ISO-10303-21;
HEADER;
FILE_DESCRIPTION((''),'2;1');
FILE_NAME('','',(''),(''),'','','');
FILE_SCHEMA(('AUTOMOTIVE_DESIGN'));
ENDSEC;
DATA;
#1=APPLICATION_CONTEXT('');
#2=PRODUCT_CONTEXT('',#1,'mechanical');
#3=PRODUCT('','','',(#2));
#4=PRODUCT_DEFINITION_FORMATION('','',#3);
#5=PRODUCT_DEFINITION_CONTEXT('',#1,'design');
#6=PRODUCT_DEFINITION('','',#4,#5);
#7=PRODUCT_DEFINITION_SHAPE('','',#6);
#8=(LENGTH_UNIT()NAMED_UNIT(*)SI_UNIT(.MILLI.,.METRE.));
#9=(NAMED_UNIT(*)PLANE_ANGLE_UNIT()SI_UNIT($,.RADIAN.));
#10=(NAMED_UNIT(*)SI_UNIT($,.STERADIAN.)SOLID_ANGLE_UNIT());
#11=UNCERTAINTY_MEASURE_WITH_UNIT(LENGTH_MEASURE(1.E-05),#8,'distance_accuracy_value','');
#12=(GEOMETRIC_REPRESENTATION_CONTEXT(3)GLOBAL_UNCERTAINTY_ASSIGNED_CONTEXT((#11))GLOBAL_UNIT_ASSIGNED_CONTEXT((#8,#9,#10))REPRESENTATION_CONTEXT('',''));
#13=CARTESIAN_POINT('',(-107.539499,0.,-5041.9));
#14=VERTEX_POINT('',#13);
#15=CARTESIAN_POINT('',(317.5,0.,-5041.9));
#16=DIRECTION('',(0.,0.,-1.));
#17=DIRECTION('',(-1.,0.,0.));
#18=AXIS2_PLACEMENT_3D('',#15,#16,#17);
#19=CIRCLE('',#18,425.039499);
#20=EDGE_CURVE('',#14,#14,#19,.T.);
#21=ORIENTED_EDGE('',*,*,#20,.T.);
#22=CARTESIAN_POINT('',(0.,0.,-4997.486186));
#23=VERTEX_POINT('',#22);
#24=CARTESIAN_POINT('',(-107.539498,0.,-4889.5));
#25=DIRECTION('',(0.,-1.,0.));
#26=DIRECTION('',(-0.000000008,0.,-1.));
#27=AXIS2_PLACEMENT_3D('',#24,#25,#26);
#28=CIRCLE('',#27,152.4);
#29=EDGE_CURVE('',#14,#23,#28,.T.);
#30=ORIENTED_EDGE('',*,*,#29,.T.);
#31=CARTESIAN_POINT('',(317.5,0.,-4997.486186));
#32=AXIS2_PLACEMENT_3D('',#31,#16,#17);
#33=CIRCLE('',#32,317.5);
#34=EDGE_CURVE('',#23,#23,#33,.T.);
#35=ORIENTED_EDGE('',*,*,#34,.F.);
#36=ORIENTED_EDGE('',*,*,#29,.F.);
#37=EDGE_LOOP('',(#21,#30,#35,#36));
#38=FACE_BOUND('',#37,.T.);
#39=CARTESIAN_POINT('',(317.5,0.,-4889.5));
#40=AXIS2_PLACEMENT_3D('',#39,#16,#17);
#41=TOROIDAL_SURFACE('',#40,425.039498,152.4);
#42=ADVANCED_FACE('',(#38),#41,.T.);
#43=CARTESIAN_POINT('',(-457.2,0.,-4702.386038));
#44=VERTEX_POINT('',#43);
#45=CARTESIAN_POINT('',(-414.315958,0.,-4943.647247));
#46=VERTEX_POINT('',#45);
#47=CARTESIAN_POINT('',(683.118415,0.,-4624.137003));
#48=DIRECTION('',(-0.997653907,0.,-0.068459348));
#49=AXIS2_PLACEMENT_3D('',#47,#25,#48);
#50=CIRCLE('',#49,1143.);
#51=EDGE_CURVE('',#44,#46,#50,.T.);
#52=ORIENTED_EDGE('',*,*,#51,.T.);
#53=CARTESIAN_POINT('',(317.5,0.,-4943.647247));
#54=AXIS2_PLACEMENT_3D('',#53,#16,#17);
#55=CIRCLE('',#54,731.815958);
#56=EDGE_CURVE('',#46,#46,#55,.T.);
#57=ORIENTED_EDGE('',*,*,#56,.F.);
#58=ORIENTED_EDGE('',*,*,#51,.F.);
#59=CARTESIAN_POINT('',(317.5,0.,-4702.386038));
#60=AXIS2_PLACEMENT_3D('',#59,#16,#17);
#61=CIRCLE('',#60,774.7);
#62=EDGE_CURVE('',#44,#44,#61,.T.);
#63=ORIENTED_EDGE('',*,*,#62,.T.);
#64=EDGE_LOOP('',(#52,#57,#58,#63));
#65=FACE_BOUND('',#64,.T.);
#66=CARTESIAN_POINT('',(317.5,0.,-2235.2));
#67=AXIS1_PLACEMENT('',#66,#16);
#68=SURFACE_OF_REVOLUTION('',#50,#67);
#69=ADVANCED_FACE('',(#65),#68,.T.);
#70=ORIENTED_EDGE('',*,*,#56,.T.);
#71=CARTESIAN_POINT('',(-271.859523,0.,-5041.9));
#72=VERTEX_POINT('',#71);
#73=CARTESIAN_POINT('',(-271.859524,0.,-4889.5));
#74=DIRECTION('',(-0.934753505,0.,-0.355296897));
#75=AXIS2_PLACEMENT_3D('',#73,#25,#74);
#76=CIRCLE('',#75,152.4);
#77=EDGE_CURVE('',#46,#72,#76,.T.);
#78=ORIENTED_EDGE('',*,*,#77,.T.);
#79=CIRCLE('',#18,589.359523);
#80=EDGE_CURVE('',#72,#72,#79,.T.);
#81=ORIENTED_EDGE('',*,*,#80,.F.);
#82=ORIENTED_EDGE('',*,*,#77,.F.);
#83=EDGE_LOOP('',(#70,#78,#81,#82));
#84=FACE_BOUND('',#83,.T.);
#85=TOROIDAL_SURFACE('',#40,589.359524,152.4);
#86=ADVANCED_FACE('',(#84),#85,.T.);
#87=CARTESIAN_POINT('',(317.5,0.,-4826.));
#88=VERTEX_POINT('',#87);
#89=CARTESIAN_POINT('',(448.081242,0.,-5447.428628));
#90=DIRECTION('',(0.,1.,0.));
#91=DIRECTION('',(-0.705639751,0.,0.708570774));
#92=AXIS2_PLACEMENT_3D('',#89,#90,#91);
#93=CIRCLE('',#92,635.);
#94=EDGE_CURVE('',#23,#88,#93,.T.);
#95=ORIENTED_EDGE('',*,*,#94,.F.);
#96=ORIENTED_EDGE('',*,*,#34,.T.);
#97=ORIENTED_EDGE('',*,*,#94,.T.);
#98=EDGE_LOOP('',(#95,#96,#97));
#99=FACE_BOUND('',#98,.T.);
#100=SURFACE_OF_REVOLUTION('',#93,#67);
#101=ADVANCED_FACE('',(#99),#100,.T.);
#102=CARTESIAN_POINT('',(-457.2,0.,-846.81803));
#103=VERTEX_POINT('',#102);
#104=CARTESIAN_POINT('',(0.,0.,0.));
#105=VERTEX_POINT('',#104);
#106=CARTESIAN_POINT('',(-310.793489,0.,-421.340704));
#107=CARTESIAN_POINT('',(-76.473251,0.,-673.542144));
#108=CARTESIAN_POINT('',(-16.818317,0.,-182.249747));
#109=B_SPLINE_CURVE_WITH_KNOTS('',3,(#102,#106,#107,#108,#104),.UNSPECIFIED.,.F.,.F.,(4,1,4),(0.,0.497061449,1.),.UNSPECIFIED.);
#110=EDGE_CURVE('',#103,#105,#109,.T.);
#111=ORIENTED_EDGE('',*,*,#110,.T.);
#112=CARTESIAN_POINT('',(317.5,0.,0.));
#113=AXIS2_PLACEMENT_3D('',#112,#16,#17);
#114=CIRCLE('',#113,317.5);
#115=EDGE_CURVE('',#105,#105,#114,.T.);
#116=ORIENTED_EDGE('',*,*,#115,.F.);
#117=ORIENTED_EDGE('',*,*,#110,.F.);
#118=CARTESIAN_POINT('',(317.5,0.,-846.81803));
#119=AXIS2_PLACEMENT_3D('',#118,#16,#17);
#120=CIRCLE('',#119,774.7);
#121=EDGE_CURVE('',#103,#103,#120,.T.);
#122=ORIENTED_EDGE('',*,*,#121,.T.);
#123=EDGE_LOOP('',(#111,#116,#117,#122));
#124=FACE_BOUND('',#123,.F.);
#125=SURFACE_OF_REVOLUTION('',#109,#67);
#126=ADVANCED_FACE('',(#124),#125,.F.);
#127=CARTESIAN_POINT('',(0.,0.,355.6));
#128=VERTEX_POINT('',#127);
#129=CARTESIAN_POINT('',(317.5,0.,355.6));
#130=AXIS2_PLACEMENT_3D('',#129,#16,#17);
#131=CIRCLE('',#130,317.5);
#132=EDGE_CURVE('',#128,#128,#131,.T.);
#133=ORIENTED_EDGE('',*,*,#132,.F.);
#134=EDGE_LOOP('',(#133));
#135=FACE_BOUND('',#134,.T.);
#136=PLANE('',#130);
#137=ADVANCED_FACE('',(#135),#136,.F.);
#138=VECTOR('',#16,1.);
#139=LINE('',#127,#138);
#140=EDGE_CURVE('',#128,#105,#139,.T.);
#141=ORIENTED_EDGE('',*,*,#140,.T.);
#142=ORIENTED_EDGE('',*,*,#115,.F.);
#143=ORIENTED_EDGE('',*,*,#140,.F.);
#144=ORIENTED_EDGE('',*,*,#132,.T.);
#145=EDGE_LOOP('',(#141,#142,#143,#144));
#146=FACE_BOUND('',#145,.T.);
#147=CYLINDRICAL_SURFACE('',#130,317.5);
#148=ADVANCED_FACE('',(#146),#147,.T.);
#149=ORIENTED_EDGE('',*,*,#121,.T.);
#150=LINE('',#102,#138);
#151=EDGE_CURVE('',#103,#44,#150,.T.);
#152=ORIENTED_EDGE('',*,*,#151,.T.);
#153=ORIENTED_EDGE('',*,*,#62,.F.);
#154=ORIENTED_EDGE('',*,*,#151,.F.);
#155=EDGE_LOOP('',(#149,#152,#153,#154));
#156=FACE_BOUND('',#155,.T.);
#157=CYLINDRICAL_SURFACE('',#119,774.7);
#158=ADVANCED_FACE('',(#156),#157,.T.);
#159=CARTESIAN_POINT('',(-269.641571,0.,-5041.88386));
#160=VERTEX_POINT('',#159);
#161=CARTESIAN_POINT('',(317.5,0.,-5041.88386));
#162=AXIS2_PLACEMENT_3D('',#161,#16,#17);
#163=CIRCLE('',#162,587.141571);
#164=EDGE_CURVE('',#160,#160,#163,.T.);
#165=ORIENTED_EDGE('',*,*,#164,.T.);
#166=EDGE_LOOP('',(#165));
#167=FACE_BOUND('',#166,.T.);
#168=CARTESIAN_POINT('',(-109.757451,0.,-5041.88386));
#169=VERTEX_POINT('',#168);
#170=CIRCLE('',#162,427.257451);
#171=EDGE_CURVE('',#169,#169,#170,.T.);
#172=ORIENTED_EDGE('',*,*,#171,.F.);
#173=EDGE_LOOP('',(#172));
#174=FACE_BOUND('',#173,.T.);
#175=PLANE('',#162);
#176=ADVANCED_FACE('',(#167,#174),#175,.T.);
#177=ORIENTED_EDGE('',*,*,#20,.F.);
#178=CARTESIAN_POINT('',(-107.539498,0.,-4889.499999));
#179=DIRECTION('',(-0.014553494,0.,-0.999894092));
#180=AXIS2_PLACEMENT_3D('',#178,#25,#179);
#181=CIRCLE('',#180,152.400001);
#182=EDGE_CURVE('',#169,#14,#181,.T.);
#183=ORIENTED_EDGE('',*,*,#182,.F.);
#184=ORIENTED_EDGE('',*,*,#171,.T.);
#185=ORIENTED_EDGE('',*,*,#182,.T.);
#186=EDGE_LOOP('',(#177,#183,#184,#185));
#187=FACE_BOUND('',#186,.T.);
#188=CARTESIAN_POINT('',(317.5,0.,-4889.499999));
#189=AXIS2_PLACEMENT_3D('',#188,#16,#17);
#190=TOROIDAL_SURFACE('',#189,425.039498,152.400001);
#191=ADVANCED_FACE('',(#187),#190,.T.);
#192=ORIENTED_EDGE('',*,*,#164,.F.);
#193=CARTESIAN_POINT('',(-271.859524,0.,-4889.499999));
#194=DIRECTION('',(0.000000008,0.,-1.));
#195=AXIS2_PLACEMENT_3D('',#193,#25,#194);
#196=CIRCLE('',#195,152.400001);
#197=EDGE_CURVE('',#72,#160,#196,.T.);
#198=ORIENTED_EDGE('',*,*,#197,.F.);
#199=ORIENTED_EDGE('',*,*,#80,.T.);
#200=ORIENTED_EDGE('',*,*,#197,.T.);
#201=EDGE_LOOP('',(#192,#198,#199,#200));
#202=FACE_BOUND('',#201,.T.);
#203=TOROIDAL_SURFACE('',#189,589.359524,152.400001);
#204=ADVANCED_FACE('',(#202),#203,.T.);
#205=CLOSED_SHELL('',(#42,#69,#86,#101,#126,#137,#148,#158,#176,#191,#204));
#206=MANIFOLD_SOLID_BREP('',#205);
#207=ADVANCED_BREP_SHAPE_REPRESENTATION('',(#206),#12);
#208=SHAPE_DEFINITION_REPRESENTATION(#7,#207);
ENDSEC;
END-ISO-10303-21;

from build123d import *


with BuildPart() as f1:
    # F0 (on Front) → F1 (revolve)
    with BuildSketch(Plane.XZ):
        with BuildLine():
            Line((0, 355.6), (0, 0))
            add(Edge.make_bspline(
                [(-457.2, -846.8180298805), (-310.7934892178, -421.3407039642), (-76.4732514489, -673.5421437826), (-16.8183166454, -182.2497469969), (0, 0)],
                knots=[0, 0, 0, 0, 0.4970614488, 1, 1, 1, 1], degree=3))
            Line((-457.2, -846.8180298805), (-457.2, -4702.3860380284))
            ThreePointArc((-457.2, -4702.3860380284), (-442.2420284929, -4824.1691786226), (-414.3159579917, -4943.6472470326))
            ThreePointArc((-414.3159579917, -4943.6472470326), (-358.3861653398, -5014.9547739473), (-271.8595226581, -5041.9))
            ThreePointArc((-271.8595226581, -5041.9), (-270.7505176166, -5041.8959648588), (-269.6415713018, -5041.8838596658))
            Line((-269.6415713018, -5041.8838596658), (-109.7574505212, -5041.8838596658))
            ThreePointArc((-109.7574505212, -5041.8838596658), (-108.6485042064, -5041.8959648588), (-107.5394991648, -5041.9))
            ThreePointArc((-107.5394991648, -5041.9), (-49.3644813416, -5030.3596018583), (0, -4997.4861860048))
            ThreePointArc((0, -4997.4861860048), (146.3123807797, -4888.7153250262), (317.5, -4826))
            Line((317.5, -4826), (317.5, 355.6))
            Line((317.5, 355.6), (0, 355.6))
        make_face()
    revolve(axis=Axis((317.5, 0, -2235.2), (0, 0, -1)))


solid = f1.part
